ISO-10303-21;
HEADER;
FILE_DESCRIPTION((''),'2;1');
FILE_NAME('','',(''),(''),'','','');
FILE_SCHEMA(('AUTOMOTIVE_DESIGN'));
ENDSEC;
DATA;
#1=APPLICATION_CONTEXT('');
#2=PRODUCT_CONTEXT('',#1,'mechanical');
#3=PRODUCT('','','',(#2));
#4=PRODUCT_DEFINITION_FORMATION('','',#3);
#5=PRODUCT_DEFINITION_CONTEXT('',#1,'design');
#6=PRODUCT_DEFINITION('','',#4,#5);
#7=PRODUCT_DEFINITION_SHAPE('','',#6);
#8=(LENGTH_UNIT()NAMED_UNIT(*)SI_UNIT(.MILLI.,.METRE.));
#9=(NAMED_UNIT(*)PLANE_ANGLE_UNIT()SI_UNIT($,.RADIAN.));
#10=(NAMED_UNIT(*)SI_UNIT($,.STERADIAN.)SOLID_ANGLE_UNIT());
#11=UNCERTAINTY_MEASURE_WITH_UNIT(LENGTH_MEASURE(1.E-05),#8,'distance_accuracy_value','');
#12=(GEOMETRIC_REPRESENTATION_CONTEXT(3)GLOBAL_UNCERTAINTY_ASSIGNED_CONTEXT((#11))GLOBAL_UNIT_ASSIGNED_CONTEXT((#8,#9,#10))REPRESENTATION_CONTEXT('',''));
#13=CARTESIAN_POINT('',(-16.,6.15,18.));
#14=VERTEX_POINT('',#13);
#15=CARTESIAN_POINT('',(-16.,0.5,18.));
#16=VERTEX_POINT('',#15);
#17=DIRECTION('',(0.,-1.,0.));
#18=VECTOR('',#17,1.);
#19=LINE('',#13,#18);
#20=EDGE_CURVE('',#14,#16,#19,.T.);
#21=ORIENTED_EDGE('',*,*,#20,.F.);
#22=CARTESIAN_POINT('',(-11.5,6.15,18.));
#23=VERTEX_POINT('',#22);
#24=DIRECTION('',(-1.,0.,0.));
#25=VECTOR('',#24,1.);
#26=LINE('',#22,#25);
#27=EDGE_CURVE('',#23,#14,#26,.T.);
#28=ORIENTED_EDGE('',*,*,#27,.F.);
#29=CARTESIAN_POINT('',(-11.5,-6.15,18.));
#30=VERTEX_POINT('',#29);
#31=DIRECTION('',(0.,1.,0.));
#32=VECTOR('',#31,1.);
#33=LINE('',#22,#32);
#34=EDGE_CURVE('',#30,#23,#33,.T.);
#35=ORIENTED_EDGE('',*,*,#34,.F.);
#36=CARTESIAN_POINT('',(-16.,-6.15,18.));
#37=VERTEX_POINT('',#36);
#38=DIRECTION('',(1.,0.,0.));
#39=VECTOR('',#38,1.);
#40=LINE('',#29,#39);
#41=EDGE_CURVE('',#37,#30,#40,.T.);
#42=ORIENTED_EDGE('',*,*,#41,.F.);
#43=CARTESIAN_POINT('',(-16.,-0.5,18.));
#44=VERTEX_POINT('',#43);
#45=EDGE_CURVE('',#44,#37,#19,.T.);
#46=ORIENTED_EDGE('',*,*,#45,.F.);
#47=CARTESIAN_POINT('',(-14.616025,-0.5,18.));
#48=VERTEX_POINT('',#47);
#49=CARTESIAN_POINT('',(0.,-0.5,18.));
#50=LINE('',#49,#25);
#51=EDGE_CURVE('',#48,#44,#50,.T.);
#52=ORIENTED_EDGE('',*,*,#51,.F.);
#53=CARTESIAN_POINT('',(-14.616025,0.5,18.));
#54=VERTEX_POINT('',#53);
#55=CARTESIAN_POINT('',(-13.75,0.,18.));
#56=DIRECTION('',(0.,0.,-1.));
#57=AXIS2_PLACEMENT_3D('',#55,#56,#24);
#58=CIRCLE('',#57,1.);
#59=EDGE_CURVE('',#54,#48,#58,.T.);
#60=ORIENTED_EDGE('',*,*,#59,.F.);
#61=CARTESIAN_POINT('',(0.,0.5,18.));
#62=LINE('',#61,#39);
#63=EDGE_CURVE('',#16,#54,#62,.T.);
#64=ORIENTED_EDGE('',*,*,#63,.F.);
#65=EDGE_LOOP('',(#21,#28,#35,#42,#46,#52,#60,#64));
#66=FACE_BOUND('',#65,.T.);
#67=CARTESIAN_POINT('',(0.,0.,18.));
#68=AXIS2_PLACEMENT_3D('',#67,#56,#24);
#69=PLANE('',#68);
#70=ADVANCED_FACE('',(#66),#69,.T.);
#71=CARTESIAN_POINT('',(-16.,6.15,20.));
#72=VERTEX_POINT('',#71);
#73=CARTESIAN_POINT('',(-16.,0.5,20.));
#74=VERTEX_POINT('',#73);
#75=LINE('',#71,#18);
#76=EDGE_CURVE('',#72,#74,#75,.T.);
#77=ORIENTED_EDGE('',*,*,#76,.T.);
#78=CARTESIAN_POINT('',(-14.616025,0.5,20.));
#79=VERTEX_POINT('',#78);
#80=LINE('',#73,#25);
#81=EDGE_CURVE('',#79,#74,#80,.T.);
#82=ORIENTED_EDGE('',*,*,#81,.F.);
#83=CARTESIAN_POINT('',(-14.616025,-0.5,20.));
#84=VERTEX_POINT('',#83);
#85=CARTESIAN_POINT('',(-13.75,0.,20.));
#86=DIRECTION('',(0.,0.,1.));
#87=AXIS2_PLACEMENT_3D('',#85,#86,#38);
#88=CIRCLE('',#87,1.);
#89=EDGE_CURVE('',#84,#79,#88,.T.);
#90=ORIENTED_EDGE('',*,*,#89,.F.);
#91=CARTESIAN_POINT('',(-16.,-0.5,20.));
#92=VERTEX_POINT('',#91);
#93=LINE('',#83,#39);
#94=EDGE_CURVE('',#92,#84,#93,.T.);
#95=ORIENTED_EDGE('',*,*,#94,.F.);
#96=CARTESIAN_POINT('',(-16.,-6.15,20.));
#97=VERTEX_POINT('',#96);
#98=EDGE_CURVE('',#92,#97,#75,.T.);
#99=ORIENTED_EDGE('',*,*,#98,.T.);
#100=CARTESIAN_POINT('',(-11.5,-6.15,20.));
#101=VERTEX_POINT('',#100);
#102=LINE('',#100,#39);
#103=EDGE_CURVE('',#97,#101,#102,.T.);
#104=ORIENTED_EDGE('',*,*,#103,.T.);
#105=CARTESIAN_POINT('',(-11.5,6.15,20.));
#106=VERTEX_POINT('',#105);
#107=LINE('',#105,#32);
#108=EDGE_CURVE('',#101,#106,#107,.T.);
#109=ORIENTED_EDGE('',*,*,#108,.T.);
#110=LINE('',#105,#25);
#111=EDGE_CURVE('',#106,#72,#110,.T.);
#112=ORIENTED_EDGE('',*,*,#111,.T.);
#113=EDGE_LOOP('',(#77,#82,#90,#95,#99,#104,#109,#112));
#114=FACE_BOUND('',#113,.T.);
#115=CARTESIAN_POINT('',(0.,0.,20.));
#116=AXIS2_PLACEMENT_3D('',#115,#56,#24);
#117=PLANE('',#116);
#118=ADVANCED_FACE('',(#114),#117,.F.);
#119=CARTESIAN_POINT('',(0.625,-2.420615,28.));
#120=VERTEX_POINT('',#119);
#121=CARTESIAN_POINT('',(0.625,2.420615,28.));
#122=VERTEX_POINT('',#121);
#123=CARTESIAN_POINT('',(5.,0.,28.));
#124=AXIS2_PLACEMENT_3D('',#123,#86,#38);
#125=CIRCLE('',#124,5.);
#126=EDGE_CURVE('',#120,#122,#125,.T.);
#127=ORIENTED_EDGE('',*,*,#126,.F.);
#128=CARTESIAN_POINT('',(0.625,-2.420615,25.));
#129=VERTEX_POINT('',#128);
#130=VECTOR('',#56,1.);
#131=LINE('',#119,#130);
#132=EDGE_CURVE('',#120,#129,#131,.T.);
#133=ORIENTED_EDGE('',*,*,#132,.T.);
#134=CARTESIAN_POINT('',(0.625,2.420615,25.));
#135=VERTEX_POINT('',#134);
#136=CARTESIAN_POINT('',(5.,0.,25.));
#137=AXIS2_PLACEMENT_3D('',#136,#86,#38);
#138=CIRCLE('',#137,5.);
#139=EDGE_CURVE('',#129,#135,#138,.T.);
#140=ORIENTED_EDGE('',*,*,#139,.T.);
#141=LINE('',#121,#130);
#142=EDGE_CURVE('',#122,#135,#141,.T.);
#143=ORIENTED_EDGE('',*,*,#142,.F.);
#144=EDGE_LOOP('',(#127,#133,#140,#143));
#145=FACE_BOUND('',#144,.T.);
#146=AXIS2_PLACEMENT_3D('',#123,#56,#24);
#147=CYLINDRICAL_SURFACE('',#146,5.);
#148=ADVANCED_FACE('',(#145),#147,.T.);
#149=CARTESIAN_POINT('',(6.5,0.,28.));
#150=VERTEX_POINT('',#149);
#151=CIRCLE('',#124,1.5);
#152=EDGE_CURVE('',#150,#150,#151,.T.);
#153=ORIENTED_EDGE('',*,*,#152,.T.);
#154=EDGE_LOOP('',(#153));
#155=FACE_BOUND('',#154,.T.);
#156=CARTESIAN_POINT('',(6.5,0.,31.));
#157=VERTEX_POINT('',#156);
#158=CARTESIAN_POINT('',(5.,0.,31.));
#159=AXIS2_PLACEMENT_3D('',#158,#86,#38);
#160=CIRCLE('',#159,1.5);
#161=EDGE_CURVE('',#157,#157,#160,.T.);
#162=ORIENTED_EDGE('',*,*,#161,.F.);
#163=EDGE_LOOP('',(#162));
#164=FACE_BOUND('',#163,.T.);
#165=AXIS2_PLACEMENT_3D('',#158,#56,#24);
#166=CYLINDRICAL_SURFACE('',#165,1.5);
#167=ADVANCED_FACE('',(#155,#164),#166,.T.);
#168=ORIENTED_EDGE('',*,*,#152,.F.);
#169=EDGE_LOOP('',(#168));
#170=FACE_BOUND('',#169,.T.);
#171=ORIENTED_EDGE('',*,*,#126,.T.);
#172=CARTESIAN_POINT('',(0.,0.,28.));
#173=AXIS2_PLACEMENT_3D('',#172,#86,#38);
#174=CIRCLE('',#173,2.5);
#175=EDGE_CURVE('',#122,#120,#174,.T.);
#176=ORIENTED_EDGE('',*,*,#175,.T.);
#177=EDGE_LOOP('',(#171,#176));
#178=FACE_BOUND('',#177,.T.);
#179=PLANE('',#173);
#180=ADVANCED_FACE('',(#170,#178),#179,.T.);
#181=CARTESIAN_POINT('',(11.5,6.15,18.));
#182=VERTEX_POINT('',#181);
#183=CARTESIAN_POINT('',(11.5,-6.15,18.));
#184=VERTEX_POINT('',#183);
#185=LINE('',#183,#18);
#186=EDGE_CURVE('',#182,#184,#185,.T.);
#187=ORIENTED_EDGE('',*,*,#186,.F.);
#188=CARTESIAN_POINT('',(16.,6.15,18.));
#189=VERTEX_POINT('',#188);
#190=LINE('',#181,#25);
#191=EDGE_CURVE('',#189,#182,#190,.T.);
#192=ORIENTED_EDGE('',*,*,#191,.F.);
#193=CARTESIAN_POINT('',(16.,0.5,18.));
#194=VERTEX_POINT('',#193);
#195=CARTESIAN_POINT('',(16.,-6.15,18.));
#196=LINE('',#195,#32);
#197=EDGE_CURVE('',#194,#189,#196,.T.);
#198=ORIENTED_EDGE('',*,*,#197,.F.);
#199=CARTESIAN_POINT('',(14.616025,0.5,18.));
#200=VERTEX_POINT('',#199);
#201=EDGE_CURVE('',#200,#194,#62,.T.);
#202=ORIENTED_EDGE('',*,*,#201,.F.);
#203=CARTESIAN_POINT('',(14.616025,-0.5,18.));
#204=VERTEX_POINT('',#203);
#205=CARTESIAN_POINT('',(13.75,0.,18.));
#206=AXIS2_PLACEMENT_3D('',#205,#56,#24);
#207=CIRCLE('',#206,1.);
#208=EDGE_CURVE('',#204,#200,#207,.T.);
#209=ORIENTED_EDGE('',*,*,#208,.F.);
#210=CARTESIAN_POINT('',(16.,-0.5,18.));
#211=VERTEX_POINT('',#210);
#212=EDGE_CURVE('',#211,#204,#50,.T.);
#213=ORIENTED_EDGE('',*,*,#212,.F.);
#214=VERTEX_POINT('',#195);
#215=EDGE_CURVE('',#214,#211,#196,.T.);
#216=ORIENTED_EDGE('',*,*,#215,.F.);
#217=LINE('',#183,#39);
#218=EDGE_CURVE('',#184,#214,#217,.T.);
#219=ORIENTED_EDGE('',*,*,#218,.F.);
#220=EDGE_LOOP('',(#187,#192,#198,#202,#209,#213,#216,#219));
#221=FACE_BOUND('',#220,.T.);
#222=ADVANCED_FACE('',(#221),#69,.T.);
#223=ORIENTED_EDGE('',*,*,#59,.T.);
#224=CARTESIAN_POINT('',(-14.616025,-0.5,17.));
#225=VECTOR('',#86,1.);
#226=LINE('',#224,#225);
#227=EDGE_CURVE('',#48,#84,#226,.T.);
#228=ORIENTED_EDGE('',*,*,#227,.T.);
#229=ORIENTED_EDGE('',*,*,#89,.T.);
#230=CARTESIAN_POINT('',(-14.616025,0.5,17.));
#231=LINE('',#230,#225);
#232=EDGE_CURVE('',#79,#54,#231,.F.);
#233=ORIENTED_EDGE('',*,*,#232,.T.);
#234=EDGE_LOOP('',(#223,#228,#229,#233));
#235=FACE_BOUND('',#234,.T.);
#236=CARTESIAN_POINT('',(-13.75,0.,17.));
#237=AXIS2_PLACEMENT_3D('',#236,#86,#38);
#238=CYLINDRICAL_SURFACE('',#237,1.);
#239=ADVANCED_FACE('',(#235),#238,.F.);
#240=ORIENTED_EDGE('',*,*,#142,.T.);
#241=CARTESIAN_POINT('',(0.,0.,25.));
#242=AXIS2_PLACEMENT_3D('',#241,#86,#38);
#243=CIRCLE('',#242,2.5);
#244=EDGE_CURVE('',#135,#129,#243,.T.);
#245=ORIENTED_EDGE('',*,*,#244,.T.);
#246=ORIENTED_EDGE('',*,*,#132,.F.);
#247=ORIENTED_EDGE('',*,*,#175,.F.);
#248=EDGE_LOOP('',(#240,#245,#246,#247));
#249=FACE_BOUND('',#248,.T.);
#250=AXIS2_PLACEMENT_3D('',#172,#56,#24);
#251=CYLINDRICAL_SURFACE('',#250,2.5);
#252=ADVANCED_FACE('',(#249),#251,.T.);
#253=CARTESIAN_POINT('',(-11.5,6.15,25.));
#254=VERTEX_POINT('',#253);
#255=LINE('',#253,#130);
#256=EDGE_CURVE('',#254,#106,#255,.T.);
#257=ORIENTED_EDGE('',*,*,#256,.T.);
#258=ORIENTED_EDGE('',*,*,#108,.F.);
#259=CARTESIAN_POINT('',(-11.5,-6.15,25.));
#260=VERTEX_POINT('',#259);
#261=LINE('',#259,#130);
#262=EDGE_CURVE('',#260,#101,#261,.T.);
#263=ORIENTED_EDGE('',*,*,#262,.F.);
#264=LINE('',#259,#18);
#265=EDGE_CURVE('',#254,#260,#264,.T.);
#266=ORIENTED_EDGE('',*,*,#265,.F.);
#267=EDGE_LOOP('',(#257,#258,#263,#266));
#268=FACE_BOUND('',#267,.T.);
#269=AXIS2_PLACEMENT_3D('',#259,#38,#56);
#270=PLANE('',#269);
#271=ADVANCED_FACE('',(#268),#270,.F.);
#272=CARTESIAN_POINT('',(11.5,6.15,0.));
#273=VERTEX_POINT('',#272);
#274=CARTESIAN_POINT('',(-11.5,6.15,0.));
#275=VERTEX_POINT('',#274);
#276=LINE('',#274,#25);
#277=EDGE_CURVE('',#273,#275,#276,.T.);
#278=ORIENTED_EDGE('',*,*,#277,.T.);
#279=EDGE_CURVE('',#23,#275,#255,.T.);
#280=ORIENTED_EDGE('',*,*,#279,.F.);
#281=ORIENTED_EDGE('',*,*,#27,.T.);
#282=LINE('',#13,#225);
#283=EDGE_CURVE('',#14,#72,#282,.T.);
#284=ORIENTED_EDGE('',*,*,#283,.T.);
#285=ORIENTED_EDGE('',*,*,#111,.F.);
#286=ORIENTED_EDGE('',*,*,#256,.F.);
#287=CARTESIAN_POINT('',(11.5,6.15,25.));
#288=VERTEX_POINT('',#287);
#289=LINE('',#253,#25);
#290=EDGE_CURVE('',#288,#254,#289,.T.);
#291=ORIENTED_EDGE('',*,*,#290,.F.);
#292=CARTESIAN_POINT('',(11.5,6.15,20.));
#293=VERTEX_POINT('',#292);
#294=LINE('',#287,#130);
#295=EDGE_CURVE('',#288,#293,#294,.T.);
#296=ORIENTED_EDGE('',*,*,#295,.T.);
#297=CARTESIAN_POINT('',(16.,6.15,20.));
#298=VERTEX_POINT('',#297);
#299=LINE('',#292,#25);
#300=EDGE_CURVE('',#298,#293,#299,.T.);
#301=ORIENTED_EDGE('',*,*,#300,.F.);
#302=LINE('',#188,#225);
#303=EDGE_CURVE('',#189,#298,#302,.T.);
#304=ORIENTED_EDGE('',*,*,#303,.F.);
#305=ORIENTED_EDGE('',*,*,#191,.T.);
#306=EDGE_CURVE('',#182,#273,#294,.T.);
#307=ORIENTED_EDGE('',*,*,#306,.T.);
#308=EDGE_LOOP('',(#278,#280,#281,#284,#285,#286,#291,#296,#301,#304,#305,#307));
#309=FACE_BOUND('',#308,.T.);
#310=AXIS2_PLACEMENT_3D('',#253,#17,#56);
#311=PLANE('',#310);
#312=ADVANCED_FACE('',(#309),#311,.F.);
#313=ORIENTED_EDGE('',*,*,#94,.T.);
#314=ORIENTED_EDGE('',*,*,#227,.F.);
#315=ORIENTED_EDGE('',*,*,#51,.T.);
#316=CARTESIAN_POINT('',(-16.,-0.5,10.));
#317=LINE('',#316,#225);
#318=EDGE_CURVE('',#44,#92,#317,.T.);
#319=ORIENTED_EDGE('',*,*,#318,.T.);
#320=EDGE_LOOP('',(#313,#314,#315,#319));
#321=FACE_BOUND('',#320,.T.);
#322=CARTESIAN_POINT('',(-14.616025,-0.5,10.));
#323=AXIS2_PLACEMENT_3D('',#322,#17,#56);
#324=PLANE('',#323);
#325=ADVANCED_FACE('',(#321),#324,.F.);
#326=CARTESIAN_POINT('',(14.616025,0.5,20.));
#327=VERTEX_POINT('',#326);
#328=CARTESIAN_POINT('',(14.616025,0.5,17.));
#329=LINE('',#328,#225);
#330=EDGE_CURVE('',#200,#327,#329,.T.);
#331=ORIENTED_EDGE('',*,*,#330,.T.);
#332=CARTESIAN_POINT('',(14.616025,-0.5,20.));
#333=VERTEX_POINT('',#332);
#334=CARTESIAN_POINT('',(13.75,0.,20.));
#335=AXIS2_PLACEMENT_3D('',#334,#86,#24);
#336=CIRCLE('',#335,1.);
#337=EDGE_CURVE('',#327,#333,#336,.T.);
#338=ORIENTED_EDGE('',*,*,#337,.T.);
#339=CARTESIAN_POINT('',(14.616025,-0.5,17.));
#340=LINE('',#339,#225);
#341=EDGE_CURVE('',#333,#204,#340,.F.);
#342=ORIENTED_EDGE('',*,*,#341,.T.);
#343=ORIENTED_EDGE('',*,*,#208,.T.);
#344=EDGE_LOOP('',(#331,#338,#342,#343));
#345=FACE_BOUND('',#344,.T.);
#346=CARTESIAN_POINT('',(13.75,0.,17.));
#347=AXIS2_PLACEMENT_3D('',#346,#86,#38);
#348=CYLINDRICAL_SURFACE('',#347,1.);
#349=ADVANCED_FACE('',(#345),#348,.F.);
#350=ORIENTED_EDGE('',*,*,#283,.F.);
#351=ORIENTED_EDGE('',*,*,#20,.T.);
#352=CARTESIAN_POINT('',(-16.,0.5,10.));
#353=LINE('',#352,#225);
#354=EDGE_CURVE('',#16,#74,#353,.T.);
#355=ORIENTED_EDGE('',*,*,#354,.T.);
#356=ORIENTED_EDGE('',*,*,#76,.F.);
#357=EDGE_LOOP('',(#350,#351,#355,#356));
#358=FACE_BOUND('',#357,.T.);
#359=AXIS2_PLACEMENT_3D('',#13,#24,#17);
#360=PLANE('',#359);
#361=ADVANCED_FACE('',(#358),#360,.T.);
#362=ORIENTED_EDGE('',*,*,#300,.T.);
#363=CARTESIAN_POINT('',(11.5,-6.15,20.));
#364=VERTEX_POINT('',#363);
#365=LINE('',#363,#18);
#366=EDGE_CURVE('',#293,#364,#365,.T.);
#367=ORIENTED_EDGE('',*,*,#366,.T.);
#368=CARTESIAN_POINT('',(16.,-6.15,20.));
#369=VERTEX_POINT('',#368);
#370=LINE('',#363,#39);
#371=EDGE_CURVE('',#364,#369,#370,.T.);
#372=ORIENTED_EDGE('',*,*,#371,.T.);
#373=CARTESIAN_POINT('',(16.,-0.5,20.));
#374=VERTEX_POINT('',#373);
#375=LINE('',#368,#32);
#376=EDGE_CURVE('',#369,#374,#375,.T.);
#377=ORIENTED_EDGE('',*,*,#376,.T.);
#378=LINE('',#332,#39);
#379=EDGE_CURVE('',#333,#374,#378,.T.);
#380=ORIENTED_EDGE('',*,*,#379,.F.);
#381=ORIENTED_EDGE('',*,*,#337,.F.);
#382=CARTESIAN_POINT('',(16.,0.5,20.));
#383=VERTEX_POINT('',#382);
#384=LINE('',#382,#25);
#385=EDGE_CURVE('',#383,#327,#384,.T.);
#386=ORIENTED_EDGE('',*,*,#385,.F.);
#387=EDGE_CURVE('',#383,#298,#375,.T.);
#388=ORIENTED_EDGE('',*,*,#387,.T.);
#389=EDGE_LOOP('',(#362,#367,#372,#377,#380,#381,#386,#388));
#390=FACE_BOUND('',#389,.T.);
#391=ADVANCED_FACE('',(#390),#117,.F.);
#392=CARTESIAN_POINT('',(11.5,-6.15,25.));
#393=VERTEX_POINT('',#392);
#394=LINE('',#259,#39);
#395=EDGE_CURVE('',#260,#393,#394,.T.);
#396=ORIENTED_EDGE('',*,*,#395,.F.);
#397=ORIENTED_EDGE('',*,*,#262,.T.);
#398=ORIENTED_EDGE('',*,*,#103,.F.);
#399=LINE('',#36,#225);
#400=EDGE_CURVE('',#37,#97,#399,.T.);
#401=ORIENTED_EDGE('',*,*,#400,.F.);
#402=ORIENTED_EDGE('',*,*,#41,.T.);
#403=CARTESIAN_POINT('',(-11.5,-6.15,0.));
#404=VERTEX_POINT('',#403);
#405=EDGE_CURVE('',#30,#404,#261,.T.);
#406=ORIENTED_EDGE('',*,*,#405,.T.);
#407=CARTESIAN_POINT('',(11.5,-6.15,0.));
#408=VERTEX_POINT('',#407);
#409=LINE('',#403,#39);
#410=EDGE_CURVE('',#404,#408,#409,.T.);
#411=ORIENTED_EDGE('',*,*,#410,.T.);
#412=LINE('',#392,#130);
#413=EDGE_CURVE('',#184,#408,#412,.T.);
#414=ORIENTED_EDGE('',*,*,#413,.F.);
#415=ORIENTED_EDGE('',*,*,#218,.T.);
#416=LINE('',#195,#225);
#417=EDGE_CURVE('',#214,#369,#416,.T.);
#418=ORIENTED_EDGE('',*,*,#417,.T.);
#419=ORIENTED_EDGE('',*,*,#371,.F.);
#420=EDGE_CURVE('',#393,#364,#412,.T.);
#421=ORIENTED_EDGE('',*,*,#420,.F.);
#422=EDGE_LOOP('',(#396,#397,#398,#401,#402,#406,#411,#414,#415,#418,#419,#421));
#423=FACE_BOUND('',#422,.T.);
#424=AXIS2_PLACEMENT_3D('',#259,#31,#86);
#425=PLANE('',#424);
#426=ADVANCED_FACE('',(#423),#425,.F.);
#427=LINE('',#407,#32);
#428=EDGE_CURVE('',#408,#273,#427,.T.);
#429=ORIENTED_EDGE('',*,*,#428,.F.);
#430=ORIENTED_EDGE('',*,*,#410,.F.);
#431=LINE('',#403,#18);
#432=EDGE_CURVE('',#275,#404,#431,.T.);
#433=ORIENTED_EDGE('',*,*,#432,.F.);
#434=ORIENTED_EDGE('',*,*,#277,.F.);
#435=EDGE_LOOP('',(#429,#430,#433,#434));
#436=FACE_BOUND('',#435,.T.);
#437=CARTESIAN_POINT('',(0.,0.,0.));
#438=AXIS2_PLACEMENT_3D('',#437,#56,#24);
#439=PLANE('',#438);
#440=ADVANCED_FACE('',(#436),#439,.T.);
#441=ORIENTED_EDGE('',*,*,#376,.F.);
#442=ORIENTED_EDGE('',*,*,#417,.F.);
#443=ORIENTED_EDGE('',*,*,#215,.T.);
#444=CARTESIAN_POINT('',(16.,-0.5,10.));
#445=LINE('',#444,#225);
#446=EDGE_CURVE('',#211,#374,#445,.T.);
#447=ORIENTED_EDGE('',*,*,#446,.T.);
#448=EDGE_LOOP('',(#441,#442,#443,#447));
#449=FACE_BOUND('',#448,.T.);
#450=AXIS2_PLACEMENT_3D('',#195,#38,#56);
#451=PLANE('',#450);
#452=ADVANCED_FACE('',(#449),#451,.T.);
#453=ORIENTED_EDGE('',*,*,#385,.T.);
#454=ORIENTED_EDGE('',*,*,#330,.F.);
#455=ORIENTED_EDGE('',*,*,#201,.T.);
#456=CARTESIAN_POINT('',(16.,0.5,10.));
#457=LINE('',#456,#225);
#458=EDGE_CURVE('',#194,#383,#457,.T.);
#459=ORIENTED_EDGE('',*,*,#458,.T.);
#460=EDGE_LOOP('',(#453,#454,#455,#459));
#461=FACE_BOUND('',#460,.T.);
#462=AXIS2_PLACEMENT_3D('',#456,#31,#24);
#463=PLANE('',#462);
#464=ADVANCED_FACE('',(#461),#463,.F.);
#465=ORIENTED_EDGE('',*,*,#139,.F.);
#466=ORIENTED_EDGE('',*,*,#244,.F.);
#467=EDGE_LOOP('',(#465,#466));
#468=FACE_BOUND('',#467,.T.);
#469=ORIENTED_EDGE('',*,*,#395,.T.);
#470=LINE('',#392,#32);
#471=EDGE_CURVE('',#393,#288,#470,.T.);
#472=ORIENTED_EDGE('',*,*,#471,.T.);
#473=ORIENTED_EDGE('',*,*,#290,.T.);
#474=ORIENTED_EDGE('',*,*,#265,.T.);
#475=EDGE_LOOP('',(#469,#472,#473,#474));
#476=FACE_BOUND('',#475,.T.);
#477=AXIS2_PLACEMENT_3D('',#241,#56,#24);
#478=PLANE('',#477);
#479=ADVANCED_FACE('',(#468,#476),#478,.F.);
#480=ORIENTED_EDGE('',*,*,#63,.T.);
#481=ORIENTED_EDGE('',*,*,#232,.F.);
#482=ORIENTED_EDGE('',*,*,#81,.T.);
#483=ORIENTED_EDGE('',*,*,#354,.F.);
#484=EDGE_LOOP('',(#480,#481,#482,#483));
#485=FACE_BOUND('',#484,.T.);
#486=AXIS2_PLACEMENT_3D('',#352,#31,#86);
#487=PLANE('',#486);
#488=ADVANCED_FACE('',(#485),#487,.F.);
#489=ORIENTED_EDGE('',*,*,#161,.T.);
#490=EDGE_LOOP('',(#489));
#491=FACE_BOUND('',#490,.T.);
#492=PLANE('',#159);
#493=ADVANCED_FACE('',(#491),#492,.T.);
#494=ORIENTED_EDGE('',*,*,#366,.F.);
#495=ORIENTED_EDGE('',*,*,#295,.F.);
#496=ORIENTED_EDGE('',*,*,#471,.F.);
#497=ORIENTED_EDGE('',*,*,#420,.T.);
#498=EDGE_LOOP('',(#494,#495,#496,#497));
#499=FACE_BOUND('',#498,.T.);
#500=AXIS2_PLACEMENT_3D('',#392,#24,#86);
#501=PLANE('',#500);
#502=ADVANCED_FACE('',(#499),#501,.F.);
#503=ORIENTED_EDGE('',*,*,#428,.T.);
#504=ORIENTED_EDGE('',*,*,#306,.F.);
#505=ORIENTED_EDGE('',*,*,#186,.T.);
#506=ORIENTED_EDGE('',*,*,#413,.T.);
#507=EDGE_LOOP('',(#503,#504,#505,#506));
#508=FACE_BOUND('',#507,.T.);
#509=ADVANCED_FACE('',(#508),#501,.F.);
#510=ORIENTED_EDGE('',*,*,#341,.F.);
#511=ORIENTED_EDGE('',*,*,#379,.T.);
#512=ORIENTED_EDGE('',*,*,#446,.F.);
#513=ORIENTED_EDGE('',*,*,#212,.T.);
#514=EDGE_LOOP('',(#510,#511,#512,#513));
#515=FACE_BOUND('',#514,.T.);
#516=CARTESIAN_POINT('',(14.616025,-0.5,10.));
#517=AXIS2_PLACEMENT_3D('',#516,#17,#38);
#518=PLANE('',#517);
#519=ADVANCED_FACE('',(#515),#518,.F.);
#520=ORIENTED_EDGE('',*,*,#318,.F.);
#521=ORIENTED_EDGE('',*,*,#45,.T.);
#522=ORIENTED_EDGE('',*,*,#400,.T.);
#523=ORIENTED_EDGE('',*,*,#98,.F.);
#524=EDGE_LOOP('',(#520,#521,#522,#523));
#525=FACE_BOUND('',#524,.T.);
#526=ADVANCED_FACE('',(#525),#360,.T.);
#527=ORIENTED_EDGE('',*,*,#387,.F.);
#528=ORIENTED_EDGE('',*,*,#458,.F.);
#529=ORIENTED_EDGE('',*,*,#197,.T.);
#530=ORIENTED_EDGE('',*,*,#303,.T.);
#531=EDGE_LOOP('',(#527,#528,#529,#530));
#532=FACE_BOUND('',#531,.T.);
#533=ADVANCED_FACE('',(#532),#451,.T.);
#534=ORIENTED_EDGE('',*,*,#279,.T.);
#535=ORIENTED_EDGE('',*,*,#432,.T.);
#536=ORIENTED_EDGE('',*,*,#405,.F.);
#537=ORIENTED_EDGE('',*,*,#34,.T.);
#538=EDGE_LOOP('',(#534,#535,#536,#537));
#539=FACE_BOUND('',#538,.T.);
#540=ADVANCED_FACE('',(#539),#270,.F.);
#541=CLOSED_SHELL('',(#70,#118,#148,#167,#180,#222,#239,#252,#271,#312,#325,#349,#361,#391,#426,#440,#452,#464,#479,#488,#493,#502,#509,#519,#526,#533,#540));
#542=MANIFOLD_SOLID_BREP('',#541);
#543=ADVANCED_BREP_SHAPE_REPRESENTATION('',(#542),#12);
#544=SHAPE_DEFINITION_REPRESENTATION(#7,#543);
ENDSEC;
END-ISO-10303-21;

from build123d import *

# Parameters (mm, degrees)
SKETCH_1_W          = 23
SKETCH_1_H          = 12.3
EXTRUDE_1_DEPTH     = 25
SKETCH_3_R          = 5
SKETCH_3_R_2        = 2.5
EXTRUDE_2_DEPTH     = 3
SKETCH_4_R          = 1.5
EXTRUDE_3_DEPTH     = 3
EXTRUDE_START       = -5
SKETCH_5_W          = 4.5
SKETCH_5_H          = 12.3
EXTRUDE_4_DEPTH     = 2
SKETCH_6_R          = 1
CUT_EXTRUDE_1_DEPTH = 3
SKETCH_7_W          = 1.383974596
SKETCH_7_H          = 1
CUT_EXTRUDE_2_DEPTH = 10


with BuildPart() as part:
    # 草图1 → 凸台-拉伸1 (new body)
    with BuildSketch(Plane.XY):
        Rectangle(SKETCH_1_W, SKETCH_1_H)
    extrude(amount=EXTRUDE_1_DEPTH)

    # 草图3 → 凸台-拉伸2 (add)
    with BuildSketch(Plane.XY.offset(25)):
        with Locations((5, 0)):
            Circle(SKETCH_3_R)
        Circle(SKETCH_3_R_2)
    extrude(amount=EXTRUDE_2_DEPTH)

    # 草图4 → 凸台-拉伸3 (add)
    with BuildSketch(Plane.XY.offset(28)):
        with Locations((5, 0)):
            Circle(SKETCH_4_R)
    extrude(amount=EXTRUDE_3_DEPTH)

    # 草图5 → 凸台-拉伸4 (add)
    with BuildSketch(Plane.XY.offset(25).offset(EXTRUDE_START)):
        with Locations((-13.75, 0)):
            Rectangle(SKETCH_5_W, SKETCH_5_H)
        with Locations((13.75, 0)):
            Rectangle(SKETCH_5_W, SKETCH_5_H)
    extrude(amount=-EXTRUDE_4_DEPTH)

    # 草图6 → 切除-拉伸1 (cut)
    with BuildSketch(Plane.XY.offset(20)):
        with Locations((-13.75, 0)):
            Circle(SKETCH_6_R)
        with Locations(Location((13.75, 0, 0), (0, 0, 180))):
            Circle(SKETCH_6_R)
    extrude(amount=-CUT_EXTRUDE_1_DEPTH, mode=Mode.SUBTRACT)

    # 草图7 → 切除-拉伸2 (cut)
    with BuildSketch(Plane.XY.offset(20)):
        with Locations((-15.308012702, 0)):
            Rectangle(SKETCH_7_W, SKETCH_7_H)
        with Locations((15.308012702, 0)):
            Rectangle(SKETCH_7_W, SKETCH_7_H)
    extrude(amount=-CUT_EXTRUDE_2_DEPTH, mode=Mode.SUBTRACT)


solid = part.part
